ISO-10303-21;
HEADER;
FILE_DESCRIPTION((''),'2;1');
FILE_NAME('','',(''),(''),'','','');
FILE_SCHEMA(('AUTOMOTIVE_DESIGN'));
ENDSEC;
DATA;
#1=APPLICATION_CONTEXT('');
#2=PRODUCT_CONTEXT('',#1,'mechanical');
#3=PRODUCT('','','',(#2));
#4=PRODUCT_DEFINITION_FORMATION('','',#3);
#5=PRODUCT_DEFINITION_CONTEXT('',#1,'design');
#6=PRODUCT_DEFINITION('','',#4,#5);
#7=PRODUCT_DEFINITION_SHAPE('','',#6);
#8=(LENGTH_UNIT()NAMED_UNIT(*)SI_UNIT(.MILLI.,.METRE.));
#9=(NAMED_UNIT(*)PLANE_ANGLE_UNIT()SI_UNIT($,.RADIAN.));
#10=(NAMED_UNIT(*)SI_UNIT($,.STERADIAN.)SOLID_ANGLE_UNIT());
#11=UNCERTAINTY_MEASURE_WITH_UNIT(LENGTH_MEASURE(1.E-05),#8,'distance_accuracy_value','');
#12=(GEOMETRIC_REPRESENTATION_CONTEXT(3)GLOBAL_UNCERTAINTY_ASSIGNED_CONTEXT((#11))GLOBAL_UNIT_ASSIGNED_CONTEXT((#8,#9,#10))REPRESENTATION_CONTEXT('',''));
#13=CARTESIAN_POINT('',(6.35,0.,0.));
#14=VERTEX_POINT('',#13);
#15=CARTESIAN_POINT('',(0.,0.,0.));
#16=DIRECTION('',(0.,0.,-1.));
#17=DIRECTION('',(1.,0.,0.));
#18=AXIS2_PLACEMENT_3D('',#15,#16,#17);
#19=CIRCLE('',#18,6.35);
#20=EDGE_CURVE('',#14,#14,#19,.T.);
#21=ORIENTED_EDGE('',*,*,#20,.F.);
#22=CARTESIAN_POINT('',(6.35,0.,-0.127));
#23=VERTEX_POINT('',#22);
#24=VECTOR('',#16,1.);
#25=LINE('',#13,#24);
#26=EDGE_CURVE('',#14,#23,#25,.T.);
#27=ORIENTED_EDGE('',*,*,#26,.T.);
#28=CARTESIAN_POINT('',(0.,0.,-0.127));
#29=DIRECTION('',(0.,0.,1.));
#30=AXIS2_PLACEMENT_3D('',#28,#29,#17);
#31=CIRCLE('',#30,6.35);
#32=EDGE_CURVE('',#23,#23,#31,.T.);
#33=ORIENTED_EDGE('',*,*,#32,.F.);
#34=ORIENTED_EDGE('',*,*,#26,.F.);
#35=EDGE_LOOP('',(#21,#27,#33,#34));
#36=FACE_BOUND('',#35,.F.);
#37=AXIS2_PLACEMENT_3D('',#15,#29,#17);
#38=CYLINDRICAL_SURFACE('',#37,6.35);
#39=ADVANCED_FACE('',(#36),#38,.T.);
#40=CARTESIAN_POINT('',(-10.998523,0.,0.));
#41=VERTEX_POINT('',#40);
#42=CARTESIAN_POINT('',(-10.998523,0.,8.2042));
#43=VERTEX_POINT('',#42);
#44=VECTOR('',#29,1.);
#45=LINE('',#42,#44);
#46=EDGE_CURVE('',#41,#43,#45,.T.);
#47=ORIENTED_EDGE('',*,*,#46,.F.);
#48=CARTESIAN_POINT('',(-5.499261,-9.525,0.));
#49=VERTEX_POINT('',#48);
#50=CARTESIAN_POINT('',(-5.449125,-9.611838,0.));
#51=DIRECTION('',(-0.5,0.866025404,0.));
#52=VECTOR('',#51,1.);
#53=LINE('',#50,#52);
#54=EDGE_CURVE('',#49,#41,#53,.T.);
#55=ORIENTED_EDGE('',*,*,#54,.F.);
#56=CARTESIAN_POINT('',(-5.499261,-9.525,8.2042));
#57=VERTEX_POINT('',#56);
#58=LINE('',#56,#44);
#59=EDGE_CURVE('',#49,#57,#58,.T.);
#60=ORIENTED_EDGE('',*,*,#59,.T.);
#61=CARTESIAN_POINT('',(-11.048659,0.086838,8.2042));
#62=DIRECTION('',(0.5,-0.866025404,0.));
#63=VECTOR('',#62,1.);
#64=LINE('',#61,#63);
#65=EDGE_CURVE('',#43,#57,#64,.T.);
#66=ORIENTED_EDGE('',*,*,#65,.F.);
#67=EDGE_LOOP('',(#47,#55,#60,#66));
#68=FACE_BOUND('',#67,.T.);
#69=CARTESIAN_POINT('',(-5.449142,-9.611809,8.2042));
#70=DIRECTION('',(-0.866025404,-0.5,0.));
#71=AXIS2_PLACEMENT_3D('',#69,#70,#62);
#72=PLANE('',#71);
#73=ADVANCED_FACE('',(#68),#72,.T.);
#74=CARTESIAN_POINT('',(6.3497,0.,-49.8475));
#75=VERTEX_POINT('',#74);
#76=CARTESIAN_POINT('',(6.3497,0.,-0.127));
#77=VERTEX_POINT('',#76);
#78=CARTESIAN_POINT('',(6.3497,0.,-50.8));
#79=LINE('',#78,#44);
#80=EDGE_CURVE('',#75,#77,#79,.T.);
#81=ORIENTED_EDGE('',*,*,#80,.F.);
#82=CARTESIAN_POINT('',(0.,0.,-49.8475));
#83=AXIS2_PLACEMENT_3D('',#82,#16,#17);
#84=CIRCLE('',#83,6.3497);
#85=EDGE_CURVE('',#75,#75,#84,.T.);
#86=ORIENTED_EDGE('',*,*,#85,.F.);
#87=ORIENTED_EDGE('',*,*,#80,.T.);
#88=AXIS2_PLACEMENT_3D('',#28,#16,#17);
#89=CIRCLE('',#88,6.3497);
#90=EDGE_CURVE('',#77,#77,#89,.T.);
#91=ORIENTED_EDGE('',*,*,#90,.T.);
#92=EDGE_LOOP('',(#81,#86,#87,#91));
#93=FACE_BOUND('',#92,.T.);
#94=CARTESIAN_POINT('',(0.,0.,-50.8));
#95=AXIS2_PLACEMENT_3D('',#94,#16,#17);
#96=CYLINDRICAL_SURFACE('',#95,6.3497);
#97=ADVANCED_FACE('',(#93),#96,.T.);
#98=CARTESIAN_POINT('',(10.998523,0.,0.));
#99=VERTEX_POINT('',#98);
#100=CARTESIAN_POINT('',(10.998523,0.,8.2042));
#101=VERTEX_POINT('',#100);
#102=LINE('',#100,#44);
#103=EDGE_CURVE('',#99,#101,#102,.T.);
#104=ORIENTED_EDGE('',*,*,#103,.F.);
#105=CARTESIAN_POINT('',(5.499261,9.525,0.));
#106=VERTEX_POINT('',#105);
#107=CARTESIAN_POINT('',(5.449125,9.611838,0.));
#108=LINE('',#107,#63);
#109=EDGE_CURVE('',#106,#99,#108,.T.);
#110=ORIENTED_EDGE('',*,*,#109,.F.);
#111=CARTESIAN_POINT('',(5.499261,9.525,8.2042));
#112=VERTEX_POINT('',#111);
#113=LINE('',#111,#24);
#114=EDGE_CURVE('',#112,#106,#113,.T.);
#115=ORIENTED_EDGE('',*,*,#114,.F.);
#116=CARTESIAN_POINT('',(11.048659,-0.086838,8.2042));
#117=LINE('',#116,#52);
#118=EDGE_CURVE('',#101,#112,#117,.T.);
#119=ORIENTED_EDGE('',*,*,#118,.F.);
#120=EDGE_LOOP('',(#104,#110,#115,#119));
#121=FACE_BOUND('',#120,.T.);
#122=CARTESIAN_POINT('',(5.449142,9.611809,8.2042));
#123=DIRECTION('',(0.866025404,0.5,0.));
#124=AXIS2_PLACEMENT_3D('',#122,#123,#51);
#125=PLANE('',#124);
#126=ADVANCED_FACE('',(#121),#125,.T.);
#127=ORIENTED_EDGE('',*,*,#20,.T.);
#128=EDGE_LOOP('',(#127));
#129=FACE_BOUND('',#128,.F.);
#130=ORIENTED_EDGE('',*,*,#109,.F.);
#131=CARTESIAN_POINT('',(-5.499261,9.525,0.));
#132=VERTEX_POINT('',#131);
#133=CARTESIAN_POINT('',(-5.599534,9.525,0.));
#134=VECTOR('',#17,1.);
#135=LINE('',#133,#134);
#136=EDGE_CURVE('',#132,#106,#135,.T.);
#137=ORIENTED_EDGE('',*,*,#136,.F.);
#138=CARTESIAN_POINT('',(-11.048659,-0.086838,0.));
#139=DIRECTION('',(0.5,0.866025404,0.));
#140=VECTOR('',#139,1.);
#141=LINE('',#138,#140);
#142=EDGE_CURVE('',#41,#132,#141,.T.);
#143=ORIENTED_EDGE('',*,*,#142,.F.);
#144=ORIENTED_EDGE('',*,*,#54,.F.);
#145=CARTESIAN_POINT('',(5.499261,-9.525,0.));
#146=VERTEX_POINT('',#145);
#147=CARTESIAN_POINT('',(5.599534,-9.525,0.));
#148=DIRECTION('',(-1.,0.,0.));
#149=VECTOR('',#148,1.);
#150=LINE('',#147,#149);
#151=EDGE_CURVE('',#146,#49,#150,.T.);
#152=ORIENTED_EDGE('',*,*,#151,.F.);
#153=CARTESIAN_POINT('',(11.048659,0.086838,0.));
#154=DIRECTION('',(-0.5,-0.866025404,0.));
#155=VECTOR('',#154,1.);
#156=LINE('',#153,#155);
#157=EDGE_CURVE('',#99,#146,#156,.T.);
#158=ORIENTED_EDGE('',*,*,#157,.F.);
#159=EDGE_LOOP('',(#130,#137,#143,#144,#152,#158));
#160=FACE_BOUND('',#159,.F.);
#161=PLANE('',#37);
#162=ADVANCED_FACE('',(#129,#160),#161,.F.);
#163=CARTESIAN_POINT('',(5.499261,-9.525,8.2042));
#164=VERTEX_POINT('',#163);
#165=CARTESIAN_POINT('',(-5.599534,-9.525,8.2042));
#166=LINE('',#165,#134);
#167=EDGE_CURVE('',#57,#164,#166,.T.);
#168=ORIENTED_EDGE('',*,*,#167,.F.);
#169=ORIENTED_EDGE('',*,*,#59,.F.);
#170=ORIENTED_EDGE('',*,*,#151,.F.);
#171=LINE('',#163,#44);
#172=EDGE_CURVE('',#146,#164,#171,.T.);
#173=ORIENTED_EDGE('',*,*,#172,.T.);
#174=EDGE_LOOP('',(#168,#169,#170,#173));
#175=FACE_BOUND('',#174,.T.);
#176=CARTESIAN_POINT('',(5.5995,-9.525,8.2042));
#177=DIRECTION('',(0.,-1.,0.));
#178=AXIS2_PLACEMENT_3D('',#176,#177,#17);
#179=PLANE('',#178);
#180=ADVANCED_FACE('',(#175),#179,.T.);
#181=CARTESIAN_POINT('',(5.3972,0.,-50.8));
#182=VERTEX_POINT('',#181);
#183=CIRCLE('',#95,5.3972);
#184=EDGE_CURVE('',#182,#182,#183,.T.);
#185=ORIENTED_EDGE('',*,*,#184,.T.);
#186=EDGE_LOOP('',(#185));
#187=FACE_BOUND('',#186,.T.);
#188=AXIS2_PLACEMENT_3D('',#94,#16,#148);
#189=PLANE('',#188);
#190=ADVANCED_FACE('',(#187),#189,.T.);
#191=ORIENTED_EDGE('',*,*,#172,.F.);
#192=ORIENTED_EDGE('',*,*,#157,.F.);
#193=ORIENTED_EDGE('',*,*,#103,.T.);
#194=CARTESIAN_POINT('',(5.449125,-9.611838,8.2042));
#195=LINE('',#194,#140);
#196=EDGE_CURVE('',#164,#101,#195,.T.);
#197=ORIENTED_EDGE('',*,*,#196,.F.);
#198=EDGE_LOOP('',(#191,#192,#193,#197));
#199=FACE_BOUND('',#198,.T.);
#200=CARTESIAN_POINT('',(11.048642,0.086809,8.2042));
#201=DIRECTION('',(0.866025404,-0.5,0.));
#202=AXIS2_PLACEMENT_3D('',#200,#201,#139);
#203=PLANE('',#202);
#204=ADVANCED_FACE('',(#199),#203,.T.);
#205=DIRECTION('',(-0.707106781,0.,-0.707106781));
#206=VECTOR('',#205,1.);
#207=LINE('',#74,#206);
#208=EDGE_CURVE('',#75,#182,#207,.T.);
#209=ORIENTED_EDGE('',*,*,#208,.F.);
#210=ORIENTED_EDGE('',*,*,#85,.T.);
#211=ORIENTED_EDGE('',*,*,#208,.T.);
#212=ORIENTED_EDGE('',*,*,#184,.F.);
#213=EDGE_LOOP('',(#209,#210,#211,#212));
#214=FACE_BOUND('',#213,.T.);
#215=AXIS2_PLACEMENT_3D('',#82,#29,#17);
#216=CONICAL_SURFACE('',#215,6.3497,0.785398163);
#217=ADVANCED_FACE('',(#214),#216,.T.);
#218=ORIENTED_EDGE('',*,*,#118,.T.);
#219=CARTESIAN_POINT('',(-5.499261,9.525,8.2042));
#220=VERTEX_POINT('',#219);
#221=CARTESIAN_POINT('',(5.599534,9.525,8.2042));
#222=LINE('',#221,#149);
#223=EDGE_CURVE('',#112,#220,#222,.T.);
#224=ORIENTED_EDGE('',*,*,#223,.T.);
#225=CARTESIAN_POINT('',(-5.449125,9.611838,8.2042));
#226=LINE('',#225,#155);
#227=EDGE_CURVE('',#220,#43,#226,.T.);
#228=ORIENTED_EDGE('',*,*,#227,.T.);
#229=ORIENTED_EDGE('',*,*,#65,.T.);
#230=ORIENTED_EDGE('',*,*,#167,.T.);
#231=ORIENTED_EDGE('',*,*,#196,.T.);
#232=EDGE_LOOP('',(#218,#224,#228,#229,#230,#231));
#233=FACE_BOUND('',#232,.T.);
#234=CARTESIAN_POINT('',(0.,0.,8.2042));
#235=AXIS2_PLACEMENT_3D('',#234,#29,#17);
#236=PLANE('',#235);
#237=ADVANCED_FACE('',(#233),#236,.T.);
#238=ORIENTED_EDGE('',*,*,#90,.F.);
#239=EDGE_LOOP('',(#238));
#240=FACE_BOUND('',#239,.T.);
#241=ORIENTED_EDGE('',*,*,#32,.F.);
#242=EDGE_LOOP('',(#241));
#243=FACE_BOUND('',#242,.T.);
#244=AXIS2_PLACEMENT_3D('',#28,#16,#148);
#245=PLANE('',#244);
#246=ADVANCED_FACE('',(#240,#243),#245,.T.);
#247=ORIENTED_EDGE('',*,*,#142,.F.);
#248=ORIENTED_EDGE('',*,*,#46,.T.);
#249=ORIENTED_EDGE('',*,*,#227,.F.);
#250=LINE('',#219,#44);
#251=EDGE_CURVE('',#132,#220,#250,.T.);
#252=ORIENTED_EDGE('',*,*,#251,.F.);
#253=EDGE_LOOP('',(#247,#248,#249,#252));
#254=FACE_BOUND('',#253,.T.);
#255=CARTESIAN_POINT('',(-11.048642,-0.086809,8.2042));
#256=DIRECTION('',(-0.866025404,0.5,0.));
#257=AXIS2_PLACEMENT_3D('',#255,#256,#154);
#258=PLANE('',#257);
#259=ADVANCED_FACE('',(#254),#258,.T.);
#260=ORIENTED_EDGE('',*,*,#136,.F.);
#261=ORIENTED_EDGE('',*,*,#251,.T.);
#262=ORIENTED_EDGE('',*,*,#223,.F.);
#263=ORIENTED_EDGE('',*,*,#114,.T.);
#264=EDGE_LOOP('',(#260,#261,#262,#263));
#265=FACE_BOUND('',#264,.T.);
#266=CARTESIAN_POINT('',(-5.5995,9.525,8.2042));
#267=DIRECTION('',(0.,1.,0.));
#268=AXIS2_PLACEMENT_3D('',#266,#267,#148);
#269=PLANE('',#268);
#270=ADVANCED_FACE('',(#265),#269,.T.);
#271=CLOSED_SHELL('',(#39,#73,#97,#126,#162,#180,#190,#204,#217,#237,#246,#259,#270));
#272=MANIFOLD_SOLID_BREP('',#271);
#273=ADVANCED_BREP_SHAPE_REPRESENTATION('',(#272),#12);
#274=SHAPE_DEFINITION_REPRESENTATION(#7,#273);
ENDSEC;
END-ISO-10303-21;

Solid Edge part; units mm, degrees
sketch "Sketch1" plane through (0, 0, 0) normal (0, 0, 1) x (1, 0, 0)
  circle A0 centre (0, 0) radius 11.049
  dimension "D1" = 22.098
extrude "Protrusion1" add sketch "Sketch1" along normal blind 8.2042
sketch "Sketch2" plane through (0, 0, 0) normal (0, 0, -1) x (1, 0, 0)
  circle A0 centre (0, 0) radius 6.35
extrude "Protrusion2" add sketch "Sketch2" along normal blind 50.8
sketch "Sketch3" plane through (0, 0, -50.8) normal (0, 0, -1) x (1, 0, 0)
  circle A0 centre (0, 0) radius 6.3497
extrude "Cutout1" cut sketch "Sketch3" against normal blind 50.673 flip side to cut
chamfer "Chamfer_1" distance 0.9525 angle 45 1 edges at (-6.3497, 0, -50.8)
sketch "Sketch4" plane through (0, 0, 8.2042) normal (0, 0, 1) x (1, 0, 0)
  line L0 (-5.5995, 9.525) -> (5.5995, 9.525)
  dimension "D1" = 19.05
extrude "Cutout2" cut sketch "Sketch4" against normal up to next material side at (0, 9.575, 8.2042)
pattern_circular "Pattern1" count 6 over 360 about axis through (0, 0, 8.2042) along (0, 0, 1) of "Cutout2"
properties part number "185611"
